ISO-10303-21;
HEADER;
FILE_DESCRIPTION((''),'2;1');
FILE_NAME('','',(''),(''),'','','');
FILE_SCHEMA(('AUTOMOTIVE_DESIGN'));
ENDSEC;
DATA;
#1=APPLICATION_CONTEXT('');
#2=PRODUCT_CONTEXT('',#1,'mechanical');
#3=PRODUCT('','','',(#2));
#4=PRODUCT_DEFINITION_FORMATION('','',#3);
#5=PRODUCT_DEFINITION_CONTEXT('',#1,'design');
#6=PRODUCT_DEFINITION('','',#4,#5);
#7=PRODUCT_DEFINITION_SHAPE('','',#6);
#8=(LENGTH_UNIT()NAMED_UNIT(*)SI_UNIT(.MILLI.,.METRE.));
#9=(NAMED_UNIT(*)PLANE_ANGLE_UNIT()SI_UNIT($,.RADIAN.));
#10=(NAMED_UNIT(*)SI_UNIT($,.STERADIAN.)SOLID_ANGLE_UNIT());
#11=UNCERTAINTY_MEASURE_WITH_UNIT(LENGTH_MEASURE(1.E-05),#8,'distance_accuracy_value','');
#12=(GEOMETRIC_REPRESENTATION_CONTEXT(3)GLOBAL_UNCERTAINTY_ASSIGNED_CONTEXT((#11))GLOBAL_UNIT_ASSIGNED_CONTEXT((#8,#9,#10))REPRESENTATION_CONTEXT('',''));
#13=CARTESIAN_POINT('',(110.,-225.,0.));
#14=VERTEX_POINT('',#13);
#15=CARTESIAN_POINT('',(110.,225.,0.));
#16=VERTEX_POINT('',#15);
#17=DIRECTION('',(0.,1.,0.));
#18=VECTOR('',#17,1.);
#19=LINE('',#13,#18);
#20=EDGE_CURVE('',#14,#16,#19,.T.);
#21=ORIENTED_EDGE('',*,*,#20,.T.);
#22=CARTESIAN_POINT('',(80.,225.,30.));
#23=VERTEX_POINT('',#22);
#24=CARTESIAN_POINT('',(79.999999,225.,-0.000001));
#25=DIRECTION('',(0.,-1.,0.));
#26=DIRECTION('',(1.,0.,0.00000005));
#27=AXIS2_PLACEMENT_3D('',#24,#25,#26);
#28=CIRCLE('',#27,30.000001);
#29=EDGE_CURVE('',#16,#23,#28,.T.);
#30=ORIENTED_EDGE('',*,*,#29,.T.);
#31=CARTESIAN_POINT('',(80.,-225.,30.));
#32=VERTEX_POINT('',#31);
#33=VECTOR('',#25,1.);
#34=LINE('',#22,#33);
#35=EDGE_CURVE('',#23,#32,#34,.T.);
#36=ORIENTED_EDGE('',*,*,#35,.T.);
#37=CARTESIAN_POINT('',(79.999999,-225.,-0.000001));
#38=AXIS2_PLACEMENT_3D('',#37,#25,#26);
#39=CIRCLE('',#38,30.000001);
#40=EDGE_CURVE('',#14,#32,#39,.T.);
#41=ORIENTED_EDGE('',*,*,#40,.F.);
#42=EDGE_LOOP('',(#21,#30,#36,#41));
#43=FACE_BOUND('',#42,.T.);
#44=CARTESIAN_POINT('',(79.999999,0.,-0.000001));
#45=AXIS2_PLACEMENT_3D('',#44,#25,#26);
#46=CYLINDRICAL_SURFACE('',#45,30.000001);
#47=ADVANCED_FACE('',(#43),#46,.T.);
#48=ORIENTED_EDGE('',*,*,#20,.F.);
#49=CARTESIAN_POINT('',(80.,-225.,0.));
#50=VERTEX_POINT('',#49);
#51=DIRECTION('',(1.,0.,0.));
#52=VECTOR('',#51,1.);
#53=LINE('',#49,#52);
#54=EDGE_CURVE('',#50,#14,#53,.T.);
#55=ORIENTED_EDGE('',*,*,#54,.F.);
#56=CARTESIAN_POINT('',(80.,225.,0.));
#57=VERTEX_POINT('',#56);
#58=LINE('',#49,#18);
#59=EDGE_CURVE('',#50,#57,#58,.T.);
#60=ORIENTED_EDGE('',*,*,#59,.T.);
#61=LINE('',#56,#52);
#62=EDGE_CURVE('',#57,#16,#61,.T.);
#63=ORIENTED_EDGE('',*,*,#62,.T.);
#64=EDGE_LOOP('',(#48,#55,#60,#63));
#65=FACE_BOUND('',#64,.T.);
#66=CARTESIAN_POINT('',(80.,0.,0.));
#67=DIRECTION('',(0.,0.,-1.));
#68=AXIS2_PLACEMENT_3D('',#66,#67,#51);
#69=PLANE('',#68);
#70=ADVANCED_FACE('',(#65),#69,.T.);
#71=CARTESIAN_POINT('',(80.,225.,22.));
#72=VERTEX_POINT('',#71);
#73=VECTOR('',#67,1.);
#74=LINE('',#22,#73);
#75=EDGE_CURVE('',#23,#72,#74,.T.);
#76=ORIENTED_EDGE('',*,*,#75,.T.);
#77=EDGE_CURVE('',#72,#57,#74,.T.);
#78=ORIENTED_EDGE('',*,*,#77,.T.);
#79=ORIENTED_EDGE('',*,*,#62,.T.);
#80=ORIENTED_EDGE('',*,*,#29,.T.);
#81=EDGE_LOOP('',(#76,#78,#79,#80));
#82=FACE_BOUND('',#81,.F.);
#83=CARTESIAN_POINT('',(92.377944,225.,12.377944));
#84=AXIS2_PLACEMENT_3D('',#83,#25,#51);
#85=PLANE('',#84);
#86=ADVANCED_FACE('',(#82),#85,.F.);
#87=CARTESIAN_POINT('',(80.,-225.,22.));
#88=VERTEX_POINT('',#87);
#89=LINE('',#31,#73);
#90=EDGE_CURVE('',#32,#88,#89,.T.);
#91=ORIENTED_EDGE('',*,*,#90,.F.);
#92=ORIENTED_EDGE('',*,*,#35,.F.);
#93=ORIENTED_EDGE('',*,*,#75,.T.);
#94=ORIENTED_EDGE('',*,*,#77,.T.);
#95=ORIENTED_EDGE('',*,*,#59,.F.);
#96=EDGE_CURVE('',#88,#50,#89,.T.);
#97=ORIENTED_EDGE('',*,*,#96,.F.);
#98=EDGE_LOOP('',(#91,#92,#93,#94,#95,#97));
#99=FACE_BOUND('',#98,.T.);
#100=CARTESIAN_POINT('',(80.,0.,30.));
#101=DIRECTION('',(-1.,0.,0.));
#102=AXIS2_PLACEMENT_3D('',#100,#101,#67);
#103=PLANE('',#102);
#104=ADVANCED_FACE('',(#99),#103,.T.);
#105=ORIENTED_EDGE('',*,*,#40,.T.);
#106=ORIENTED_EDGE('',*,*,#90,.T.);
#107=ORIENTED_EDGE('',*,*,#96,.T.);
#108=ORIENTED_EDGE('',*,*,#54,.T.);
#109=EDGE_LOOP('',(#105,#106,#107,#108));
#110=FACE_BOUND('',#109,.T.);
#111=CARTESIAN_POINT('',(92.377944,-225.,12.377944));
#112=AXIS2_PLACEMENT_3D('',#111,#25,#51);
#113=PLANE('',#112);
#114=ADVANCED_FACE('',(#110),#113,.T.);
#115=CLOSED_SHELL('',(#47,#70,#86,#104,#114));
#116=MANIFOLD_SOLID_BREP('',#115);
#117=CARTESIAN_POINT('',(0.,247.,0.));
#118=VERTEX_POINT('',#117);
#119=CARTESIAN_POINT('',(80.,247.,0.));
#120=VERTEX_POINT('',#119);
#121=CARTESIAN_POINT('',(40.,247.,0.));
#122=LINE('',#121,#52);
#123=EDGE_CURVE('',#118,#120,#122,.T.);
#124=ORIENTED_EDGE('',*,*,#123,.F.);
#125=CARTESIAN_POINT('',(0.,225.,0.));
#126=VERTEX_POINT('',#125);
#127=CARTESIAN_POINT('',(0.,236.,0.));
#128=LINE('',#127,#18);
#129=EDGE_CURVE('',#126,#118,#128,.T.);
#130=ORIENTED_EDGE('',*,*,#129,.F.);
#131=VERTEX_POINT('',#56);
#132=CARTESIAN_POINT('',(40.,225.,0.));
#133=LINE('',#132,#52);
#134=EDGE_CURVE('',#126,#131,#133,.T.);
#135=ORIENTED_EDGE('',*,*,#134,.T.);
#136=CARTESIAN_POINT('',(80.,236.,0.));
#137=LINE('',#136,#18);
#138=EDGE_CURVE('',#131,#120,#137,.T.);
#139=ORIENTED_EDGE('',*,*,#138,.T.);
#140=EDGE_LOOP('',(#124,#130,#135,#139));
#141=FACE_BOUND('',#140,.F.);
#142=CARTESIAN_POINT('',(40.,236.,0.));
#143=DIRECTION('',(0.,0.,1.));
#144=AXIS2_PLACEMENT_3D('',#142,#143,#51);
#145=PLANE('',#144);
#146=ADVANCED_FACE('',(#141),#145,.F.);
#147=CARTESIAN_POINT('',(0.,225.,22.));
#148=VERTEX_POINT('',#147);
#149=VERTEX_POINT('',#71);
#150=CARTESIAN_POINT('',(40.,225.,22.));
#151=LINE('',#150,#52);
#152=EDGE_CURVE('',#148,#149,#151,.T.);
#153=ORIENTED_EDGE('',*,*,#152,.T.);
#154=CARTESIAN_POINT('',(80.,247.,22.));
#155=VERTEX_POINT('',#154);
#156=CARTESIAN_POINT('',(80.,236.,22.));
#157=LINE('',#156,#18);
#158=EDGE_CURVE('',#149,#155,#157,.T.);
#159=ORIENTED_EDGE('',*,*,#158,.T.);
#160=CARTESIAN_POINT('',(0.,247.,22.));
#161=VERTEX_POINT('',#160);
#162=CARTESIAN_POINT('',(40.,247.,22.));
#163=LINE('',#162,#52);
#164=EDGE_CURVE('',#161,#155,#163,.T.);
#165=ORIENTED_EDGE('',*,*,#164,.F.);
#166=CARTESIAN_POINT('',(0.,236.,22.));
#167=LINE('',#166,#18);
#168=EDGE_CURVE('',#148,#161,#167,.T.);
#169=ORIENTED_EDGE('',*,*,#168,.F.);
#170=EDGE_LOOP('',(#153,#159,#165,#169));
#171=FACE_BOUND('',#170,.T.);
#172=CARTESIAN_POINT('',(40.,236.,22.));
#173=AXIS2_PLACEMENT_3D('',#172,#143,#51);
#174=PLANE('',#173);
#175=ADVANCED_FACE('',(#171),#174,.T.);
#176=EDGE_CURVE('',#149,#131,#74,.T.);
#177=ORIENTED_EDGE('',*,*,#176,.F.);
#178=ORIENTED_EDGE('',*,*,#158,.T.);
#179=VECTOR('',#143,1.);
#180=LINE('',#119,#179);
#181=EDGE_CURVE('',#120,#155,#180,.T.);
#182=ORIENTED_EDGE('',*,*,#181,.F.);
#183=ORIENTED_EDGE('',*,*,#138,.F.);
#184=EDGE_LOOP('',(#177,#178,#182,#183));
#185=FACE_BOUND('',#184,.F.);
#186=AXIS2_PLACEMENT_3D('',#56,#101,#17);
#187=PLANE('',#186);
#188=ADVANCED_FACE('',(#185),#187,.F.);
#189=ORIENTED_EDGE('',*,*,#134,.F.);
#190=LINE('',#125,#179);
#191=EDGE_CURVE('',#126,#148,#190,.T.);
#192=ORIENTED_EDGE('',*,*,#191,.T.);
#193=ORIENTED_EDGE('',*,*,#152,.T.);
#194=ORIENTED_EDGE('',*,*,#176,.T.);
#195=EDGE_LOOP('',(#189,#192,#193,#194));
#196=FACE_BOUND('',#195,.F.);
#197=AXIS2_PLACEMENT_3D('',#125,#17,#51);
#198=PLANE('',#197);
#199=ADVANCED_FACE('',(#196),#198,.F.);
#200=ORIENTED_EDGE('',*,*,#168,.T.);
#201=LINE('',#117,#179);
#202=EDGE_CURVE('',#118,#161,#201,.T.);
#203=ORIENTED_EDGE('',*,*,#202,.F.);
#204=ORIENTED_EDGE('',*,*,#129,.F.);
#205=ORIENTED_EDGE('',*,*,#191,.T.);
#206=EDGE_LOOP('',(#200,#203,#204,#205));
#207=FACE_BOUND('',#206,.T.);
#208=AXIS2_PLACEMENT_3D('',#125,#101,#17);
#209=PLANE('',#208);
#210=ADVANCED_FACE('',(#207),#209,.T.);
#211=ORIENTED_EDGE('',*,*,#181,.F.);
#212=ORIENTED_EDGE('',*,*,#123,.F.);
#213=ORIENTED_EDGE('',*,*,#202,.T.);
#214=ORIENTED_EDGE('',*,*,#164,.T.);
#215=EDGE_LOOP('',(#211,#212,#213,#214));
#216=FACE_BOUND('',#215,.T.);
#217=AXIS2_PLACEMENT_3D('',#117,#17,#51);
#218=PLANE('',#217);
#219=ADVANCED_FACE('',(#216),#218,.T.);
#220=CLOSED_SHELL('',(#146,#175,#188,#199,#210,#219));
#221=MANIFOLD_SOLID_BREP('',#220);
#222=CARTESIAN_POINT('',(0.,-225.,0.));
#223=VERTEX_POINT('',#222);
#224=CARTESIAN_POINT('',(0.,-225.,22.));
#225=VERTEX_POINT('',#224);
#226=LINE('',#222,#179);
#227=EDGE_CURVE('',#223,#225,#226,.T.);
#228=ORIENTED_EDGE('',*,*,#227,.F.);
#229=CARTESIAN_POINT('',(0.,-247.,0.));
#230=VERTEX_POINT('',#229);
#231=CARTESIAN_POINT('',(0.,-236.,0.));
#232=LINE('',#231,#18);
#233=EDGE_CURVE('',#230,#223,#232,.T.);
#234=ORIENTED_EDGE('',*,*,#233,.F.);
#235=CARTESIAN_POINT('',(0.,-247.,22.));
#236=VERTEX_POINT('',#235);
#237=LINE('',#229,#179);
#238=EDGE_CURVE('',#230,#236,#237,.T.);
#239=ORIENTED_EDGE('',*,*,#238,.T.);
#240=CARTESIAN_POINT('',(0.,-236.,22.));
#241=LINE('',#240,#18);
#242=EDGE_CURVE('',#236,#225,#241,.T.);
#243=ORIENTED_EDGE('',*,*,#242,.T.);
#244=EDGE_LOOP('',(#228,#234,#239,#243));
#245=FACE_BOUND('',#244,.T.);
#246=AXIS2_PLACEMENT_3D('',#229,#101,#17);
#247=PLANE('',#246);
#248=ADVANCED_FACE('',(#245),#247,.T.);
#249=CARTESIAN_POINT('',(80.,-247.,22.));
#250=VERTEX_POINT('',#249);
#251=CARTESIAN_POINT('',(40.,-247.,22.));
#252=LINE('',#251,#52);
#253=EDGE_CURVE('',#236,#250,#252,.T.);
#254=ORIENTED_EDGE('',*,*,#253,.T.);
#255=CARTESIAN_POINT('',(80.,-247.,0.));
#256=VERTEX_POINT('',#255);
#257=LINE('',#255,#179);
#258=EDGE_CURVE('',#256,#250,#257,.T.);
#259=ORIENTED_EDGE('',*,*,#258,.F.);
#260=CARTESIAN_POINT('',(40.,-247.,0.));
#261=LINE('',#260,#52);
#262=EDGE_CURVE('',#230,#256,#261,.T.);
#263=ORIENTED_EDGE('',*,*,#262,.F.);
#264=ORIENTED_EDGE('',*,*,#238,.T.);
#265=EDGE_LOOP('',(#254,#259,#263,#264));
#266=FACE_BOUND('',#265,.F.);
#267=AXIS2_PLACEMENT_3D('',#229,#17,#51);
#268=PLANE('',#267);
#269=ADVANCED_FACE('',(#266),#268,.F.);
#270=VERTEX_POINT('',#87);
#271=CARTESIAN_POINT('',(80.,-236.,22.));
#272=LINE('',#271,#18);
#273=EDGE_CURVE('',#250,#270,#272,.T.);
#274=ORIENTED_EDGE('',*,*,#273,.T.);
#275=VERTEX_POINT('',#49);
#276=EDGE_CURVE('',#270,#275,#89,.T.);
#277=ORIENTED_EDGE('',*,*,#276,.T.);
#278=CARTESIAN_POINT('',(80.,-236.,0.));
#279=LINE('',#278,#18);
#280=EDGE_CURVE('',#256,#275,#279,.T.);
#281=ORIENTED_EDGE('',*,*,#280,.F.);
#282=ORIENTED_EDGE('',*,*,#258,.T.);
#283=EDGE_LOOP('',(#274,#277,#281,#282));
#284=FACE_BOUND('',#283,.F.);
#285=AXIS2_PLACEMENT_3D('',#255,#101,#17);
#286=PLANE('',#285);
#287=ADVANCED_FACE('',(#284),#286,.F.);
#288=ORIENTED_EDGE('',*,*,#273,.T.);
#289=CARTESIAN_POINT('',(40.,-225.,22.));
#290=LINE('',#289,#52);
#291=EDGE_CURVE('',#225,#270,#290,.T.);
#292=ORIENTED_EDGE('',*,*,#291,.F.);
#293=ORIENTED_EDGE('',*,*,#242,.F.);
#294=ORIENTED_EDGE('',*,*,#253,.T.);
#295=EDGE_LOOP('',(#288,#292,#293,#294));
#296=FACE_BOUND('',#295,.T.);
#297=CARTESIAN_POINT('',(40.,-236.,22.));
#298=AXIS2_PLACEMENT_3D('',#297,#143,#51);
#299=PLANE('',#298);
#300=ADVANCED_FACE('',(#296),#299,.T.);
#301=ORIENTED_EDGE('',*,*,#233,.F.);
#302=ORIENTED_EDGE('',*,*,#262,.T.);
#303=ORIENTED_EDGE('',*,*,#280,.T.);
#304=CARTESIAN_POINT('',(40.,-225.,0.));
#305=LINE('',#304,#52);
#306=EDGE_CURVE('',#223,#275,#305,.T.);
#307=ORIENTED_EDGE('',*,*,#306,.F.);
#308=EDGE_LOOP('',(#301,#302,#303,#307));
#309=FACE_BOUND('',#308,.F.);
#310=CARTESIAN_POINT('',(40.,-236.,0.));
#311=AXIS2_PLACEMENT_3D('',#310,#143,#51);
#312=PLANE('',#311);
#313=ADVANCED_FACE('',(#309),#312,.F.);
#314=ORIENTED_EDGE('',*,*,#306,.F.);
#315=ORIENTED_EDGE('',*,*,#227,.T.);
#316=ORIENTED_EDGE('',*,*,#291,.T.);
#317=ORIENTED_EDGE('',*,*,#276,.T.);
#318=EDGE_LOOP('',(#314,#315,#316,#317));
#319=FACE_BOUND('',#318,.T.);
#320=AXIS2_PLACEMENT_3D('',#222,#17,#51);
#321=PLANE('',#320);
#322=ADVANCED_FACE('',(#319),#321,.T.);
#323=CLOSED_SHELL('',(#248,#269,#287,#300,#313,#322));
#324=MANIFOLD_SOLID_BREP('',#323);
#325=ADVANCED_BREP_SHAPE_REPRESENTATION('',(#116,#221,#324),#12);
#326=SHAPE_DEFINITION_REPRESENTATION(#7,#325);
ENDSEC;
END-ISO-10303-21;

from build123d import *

# Parameters (mm, degrees)
SKETCH002_W    = 80
SKETCH002_H    = 22
PAD001_DEPTH   = 22
PAD_DEPTH      = 225
PAD_DEPTH_BACK = 225


with BuildPart() as pad001:
    # Sketch002 → Pad001 (new body)
    with BuildSketch(Plane.XY):
        with Locations((40, 236)):
            Rectangle(SKETCH002_W, SKETCH002_H)
        with Locations((40, -236)):
            Rectangle(SKETCH002_W, SKETCH002_H)
    extrude(amount=PAD001_DEPTH)


with BuildPart() as fusion:
    # Sketch → Pad (new body, two sides)
    with BuildSketch(Plane.XZ) as pad_sk:
        with BuildLine():
            ThreePointArc((110, 0), (101.213203, 21.213203), (80, 30))
            Line((80, 30), (80, 0))
            Line((80, 0), (110, 0))
        make_face()
    extrude(amount=PAD_DEPTH)
    extrude(pad_sk.sketch, amount=-PAD_DEPTH_BACK)

    # Fusion: union Pad001
    add(pad001.part)


solid = fusion.part
